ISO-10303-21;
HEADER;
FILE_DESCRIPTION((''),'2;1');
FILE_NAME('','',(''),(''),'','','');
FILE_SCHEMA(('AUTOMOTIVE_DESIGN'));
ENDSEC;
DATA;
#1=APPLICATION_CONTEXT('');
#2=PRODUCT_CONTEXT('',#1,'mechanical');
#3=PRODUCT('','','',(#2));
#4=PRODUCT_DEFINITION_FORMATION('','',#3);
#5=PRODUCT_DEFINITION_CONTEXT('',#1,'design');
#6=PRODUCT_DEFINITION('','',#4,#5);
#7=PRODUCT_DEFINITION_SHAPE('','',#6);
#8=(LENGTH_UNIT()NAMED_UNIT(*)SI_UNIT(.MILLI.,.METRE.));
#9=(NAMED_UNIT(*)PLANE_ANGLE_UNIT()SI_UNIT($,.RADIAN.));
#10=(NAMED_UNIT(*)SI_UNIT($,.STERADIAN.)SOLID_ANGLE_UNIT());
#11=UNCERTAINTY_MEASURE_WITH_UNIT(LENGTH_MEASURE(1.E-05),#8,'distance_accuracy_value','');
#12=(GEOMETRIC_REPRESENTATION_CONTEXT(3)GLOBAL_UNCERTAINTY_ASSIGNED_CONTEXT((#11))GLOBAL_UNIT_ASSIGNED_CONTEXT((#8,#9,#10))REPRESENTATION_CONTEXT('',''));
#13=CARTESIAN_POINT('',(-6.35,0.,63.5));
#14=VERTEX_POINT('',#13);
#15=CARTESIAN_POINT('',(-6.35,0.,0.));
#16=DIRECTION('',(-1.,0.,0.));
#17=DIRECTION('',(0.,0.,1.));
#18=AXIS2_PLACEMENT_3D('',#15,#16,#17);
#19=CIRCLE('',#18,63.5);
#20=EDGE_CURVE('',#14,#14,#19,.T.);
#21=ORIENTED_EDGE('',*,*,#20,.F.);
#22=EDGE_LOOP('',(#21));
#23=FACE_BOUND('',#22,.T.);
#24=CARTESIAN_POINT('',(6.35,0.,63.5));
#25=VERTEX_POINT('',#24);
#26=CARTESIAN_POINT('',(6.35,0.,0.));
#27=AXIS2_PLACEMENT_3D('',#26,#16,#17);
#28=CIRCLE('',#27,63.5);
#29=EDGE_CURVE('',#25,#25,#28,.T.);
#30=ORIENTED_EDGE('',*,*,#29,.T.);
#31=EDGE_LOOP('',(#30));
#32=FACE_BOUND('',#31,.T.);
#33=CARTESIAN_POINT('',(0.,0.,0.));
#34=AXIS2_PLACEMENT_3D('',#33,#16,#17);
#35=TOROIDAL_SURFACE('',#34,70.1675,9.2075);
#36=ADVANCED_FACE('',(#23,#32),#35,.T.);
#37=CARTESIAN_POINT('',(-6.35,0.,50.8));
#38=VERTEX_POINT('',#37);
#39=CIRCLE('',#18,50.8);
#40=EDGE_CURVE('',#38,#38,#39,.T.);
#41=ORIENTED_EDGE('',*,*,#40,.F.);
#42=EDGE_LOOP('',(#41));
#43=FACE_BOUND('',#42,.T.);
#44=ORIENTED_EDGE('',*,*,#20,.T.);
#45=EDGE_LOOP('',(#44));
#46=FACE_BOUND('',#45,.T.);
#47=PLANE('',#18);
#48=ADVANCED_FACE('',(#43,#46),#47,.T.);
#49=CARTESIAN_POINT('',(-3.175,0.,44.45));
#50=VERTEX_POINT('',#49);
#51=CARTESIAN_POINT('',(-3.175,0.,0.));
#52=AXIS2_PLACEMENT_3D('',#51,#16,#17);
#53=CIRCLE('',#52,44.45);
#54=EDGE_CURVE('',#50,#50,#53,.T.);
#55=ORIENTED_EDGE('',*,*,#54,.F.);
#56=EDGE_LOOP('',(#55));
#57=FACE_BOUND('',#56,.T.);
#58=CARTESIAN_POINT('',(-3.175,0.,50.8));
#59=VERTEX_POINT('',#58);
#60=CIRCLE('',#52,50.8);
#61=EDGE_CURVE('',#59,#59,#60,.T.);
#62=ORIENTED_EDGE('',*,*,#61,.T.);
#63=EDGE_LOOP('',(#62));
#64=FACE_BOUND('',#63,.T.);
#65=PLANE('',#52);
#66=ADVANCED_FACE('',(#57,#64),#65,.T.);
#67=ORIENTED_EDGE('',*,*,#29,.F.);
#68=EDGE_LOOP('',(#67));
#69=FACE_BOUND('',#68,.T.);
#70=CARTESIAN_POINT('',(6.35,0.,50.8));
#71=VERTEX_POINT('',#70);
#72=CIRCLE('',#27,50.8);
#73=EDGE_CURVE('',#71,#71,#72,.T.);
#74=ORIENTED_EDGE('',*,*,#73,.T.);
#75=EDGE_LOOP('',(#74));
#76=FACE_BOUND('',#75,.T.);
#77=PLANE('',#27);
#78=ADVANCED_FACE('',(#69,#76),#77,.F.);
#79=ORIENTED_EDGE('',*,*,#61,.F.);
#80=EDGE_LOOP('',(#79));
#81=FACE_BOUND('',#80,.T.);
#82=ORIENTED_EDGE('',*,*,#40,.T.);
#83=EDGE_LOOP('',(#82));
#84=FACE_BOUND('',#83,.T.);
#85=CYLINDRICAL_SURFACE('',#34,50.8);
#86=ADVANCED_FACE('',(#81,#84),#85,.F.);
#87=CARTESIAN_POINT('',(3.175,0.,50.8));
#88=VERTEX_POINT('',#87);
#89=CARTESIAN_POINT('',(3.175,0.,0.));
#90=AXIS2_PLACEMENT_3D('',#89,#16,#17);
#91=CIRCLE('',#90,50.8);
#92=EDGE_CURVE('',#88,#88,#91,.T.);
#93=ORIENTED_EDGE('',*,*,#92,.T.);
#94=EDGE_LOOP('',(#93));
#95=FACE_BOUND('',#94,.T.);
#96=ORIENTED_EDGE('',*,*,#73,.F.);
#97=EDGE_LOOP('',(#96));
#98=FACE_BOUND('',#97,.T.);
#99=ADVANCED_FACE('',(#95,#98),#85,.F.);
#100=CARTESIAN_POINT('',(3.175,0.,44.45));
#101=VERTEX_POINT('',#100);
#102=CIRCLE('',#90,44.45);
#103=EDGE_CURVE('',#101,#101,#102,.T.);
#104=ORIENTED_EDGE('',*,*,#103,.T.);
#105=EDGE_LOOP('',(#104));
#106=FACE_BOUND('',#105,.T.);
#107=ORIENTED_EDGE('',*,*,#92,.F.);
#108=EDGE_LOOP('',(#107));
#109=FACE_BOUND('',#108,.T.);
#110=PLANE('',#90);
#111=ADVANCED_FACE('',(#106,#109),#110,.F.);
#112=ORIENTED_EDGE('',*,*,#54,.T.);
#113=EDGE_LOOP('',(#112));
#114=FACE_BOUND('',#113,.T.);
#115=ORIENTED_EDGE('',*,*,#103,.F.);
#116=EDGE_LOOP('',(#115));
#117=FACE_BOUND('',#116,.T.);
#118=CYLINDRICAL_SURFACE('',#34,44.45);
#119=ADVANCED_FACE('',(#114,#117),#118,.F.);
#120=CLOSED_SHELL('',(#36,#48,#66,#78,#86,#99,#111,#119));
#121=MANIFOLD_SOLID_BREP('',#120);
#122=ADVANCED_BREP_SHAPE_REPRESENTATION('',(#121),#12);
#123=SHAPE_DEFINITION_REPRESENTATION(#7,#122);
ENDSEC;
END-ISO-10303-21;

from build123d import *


with BuildPart() as part:
    # Sketch1 → Revolve1 (revolve)
    with BuildSketch(Plane.XY, mode=Mode.PRIVATE) as revolve1_sk:
        with BuildLine():
            ThreePointArc((-6.35, 63.5), (0, 79.375), (6.35, 63.5))
            Line((6.35, 63.5), (6.35, 50.8))
            Line((6.35, 50.8), (3.175, 50.8))
            Line((3.175, 50.8), (3.175, 44.45))
            Line((3.175, 44.45), (-3.175, 44.45))
            Line((-3.175, 44.45), (-3.175, 50.8))
            Line((-3.175, 50.8), (-6.35, 50.8))
            Line((-6.35, 50.8), (-6.35, 63.5))
        make_face()
    revolve(revolve1_sk.sketch.rotate(Axis((0, 0, 0), (1, 0, 0)), 90), axis=Axis((0, 0, 0), (1, 0, 0)))


solid = part.part
